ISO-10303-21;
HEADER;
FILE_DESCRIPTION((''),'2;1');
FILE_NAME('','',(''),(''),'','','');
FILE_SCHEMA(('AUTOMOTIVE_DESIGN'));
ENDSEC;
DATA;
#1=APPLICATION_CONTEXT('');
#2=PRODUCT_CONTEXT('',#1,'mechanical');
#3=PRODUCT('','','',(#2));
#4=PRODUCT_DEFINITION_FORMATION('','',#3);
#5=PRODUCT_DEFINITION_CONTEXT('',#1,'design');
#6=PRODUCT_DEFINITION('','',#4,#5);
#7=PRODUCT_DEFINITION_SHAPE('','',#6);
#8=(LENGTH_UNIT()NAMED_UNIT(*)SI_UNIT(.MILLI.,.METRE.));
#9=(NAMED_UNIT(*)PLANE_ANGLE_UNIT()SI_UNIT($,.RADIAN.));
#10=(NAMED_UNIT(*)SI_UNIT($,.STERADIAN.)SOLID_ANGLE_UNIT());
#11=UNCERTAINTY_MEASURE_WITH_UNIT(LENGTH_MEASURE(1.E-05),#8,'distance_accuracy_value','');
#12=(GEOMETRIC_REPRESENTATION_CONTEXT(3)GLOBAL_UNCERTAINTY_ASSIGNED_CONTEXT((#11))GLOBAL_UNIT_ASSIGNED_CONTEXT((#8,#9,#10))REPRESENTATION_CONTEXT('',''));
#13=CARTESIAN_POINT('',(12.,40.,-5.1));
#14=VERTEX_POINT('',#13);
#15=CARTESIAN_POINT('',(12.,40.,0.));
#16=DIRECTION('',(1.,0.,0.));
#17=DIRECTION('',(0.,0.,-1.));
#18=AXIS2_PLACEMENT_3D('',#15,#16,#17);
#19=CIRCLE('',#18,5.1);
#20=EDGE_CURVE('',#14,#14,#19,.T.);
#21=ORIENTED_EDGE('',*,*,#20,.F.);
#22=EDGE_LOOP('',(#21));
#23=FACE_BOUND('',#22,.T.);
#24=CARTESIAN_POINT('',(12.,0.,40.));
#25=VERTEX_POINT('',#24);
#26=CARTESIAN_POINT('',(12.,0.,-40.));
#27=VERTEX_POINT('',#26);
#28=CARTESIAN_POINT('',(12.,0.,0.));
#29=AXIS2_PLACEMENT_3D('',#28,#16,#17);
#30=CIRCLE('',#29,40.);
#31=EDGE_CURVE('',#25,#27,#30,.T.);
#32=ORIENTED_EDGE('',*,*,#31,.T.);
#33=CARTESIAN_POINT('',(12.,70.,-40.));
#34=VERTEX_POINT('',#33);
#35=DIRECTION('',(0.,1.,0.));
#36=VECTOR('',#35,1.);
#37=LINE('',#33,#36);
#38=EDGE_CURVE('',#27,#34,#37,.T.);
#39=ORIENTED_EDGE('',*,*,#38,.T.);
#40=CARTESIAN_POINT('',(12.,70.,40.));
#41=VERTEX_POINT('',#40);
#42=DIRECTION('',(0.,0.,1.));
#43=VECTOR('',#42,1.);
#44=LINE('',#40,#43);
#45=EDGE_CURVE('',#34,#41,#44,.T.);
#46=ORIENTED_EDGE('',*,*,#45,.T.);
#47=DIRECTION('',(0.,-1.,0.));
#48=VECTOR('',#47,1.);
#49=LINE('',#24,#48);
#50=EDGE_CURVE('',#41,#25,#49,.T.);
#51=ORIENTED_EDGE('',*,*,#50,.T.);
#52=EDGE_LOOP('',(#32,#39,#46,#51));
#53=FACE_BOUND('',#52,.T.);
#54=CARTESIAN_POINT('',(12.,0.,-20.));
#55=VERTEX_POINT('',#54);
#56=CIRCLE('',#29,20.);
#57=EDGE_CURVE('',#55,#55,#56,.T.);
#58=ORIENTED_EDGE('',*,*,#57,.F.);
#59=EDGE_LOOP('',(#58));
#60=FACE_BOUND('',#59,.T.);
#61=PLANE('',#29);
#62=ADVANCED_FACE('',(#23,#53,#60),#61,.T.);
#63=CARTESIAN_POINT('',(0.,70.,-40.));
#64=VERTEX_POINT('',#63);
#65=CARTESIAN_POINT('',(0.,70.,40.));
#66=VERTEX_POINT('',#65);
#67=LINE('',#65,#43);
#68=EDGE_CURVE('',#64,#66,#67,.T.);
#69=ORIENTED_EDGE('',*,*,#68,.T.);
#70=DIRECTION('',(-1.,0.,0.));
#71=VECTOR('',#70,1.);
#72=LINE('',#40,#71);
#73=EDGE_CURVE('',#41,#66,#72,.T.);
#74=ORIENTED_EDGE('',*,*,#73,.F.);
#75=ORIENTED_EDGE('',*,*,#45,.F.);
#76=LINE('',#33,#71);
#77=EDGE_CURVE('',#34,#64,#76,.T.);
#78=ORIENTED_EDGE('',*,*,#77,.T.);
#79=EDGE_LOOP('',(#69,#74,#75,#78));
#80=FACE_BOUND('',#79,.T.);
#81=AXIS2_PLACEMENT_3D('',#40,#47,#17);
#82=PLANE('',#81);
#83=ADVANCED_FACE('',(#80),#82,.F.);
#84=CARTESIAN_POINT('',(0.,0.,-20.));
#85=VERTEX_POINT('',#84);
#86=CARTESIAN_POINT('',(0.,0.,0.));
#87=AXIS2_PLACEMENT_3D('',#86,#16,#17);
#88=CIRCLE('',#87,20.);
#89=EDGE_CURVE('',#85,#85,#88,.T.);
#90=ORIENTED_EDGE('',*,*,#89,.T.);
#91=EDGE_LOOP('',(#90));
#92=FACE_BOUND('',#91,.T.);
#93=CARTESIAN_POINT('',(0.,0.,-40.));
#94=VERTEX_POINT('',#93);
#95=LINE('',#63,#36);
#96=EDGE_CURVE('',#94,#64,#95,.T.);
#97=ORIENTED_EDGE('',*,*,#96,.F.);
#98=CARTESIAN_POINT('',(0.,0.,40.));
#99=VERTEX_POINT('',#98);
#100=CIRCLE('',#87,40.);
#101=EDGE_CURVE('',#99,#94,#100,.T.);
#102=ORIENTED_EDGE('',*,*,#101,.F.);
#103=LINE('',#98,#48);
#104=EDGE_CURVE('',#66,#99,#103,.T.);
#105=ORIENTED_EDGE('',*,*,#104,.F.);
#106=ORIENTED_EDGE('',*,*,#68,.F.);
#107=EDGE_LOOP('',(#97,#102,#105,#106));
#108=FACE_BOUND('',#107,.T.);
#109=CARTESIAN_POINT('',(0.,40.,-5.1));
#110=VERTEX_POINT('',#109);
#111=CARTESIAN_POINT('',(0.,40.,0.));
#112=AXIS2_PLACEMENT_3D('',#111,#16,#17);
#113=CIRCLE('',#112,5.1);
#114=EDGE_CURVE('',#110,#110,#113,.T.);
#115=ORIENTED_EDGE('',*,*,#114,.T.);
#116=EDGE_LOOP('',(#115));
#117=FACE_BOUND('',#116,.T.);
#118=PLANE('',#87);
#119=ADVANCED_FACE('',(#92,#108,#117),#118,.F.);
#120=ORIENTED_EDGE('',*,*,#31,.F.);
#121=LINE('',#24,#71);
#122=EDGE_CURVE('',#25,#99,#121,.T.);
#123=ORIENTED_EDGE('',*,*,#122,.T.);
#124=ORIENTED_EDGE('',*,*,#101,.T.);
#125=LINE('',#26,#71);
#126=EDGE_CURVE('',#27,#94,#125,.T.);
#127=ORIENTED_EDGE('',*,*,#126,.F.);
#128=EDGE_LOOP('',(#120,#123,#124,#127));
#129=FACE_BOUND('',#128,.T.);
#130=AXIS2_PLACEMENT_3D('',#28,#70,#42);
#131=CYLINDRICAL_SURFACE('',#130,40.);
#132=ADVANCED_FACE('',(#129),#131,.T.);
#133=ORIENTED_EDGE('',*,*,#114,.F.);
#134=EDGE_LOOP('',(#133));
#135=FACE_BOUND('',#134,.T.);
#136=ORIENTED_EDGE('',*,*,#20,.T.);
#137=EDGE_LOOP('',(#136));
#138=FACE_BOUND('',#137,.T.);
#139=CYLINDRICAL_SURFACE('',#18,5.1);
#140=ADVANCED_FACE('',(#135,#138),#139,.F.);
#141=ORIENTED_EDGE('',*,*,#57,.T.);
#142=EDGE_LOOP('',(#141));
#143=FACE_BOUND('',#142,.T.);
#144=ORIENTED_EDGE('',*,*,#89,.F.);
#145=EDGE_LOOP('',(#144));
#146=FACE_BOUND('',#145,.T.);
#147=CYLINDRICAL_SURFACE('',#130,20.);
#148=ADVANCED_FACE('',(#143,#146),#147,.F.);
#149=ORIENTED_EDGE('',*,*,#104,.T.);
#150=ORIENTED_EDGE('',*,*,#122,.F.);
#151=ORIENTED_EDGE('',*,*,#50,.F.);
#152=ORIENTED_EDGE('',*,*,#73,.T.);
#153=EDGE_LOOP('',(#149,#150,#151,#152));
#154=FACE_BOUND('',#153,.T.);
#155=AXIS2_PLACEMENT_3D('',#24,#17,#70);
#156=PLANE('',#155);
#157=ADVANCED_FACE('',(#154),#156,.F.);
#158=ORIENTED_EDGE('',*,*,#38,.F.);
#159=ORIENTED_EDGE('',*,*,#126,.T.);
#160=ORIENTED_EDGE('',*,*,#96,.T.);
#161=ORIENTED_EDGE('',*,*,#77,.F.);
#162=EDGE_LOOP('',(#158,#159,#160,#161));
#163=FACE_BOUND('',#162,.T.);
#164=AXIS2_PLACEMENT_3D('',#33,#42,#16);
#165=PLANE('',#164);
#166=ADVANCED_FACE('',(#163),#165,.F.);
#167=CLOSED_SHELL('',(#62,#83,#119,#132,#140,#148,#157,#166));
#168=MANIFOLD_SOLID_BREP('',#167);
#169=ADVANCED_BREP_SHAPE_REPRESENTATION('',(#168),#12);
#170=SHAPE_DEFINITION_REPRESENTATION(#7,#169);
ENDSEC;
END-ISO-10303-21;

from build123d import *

# Parameters (mm, degrees)
SKETCH_1_R          = 20
EXTRUDE_1_DEPTH     = 12
HOLE_WIZARD_M12_1_D = 10.2


with BuildPart() as part:
    # 草图1 → 凸台-拉伸1 (new body)
    with BuildSketch(Plane(origin=(0, 0, 0), x_dir=(0, 0, -1), z_dir=(1, 0, 0))):
        with BuildLine():
            Line((-40, 0), (-40, 70))
            Line((-40, 70), (40, 70))
            Line((40, 70), (40, 0))
            ThreePointArc((40, 0), (0, -40), (-40, 0))
        make_face()
        Circle(SKETCH_1_R, mode=Mode.SUBTRACT)
    extrude(amount=EXTRUDE_1_DEPTH)

    # M12 螺纹孔1 (through all)
    with Locations(Plane(origin=(12, 0, 0), x_dir=(0, 0, -1), z_dir=(1, 0, 0))):
        with Locations((0, 40)):
            Hole(HOLE_WIZARD_M12_1_D / 2)


solid = part.part
